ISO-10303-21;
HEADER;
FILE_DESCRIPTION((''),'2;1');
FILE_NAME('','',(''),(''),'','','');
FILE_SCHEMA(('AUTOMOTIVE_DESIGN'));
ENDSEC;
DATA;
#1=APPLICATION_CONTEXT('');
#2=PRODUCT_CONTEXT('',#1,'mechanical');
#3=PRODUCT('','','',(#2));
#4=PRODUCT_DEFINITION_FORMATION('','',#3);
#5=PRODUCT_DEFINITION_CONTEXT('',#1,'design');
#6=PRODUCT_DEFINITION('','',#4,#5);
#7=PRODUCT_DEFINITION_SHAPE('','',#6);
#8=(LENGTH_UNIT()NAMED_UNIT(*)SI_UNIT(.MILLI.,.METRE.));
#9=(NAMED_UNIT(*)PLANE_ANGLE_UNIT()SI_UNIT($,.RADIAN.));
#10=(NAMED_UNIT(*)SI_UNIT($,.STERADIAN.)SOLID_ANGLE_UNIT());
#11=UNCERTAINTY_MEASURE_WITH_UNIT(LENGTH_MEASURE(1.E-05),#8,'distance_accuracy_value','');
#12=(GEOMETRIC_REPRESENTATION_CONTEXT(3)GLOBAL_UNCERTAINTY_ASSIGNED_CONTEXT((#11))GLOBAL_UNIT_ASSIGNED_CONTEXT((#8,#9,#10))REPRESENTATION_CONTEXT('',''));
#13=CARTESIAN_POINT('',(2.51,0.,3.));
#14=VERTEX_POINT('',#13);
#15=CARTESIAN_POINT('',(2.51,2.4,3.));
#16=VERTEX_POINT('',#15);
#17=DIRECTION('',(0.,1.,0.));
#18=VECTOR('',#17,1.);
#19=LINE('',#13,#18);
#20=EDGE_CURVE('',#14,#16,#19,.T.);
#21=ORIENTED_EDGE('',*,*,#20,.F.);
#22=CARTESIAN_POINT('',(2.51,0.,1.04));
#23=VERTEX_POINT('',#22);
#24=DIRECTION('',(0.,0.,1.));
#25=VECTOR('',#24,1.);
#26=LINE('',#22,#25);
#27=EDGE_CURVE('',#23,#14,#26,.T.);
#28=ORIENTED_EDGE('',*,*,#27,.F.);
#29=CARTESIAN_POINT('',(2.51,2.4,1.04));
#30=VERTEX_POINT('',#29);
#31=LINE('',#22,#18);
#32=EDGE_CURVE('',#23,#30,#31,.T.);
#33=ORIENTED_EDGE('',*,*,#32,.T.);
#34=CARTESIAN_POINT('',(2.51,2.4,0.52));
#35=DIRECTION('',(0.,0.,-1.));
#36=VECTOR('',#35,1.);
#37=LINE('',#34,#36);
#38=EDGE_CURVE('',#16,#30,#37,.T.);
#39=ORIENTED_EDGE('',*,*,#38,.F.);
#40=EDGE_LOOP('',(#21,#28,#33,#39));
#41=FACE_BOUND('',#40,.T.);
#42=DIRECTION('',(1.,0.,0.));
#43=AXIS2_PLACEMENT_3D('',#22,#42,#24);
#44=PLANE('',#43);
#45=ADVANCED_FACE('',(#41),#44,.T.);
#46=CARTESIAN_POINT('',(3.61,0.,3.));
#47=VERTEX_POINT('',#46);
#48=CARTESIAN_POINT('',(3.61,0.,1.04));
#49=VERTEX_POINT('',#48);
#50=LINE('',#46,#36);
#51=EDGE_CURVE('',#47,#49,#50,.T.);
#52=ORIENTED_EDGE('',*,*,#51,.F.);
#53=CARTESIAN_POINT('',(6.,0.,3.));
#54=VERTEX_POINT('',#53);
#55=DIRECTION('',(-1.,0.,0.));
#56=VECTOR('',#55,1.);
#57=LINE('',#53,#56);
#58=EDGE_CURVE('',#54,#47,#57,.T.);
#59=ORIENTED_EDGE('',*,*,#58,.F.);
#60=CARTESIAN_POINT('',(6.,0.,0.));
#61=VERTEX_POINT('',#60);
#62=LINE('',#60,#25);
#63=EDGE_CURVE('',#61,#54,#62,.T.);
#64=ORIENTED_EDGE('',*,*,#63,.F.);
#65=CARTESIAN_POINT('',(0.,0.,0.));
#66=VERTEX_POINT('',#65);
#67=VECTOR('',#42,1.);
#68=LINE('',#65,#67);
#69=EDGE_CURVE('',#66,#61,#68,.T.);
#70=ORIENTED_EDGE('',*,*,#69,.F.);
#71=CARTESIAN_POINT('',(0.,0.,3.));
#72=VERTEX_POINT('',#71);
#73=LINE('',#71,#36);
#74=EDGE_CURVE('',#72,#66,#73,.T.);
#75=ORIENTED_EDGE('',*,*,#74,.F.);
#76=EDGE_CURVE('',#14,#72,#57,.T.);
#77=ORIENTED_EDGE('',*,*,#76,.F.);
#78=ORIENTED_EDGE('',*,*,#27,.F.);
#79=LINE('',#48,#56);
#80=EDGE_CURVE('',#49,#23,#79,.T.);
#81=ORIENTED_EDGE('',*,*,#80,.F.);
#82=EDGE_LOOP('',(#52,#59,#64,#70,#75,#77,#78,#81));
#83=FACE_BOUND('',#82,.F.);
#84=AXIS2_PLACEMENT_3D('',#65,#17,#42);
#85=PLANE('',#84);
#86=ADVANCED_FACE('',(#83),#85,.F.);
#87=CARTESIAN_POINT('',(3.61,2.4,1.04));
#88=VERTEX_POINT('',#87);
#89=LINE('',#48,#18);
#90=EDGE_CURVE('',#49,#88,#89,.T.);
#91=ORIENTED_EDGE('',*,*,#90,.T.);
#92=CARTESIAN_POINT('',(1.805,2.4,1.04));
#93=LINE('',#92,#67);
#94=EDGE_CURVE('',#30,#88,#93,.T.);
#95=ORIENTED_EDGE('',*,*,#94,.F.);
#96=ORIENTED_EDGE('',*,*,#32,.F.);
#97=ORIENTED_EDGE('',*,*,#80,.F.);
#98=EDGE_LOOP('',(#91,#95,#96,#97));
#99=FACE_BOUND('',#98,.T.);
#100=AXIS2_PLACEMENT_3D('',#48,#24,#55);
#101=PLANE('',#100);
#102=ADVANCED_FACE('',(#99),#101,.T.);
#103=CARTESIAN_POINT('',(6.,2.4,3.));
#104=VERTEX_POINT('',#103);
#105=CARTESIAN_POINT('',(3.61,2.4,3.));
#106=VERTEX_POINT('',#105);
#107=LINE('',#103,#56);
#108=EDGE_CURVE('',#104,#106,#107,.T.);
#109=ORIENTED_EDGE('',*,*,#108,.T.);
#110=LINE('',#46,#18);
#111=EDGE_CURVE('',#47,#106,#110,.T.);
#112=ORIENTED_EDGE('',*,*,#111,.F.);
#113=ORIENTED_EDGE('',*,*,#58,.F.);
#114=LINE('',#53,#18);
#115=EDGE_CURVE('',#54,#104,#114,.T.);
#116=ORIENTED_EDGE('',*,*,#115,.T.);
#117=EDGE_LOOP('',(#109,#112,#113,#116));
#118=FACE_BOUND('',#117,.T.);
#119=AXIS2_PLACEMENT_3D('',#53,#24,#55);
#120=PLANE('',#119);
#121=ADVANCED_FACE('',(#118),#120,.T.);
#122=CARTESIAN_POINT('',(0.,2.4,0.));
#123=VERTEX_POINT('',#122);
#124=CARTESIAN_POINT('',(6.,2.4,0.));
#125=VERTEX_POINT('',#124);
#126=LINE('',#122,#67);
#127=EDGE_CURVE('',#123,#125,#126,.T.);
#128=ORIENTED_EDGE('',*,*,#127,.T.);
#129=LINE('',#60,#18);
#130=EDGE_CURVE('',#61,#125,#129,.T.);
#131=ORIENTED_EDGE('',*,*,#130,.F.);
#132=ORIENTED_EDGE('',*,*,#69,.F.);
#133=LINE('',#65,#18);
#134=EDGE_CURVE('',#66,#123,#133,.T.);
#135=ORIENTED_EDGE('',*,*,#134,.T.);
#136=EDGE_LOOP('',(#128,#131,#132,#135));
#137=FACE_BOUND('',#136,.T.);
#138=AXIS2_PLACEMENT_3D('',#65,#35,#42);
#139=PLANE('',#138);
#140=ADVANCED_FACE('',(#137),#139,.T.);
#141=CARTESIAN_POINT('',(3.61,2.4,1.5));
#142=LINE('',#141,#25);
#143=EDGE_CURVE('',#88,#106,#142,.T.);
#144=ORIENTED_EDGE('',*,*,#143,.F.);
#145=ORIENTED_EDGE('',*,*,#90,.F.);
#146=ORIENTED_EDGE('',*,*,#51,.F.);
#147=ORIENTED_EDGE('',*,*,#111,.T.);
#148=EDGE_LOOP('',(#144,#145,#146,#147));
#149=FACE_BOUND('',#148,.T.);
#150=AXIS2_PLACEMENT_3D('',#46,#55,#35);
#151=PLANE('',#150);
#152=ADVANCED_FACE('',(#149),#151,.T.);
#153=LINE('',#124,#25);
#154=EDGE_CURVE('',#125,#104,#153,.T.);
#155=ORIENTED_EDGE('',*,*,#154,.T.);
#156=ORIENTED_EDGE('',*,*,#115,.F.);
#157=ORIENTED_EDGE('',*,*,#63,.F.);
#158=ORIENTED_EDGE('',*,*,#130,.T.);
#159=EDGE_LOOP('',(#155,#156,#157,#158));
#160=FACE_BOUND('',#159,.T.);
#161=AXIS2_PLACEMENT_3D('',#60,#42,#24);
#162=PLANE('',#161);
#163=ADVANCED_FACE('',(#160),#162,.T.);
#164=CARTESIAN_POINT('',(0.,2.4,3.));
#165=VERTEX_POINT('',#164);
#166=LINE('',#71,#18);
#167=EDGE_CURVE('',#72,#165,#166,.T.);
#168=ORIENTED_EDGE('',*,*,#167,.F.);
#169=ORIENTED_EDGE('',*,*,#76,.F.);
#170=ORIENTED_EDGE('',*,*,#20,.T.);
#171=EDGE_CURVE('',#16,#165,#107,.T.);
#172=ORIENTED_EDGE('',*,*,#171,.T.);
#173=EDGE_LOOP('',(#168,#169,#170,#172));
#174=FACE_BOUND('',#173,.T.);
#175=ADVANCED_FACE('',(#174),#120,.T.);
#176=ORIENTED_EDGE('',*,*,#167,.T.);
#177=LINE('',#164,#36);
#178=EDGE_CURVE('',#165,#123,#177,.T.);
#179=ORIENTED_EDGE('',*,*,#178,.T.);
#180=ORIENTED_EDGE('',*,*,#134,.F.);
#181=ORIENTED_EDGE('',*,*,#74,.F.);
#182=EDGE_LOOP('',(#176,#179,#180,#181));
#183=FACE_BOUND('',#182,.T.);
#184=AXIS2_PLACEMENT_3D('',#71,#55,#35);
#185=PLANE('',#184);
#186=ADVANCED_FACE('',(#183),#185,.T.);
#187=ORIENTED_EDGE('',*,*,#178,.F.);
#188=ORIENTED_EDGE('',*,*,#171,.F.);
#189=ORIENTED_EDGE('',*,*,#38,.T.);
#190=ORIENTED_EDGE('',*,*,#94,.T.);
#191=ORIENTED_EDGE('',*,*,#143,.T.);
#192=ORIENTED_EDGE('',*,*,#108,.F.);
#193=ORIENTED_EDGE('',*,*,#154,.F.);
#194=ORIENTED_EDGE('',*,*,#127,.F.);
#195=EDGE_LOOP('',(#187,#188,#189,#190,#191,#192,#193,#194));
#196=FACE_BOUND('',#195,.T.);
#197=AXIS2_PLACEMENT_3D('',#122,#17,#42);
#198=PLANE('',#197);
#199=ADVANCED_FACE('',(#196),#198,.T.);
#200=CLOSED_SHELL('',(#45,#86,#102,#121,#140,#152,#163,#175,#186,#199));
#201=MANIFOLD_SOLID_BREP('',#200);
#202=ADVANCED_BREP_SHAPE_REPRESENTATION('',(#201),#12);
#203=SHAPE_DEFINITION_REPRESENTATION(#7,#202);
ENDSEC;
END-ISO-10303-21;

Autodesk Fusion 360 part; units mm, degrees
sketch "Sketch1" plane through (0, 0, 0) normal (0, 1, 0) x (1, 0, 0)
  line L0 (0, 0) -> (6, 0)
  line L1 (6, 0) -> (6, -3)
  line L2 (6, -3) -> (0, -3)
  line L3 (0, -3) -> (0, 0)
  dimension "d1" = 6
  dimension "d2" = 3
extrude "Extrude1" add sketch "Sketch1" along normal blind 2.4
sketch "Sketch2" plane through (0, 0, 0) normal (0, -1, 0) x (1, 0, 0)
  line L0 (6, 3) -> (0, 3)
  line L1 (0, 3) -> (0, 0)
  line L2 (0, 0) -> (6, 0)
  line L3 (6, 0) -> (6, 3)
  line L4 (6, 3) -> (6, 1.04)
  line L5 (6, 3) -> (3.61, 3)
  line L6 (0, 3) -> (2.51, 3)
  line L7 (0, 3) -> (0, 1.04)
  line L8 (2.51, 3) -> (3.61, 3)
  line L9 (3.61, 3) -> (3.61, 1.04)
  line L10 (3.61, 1.04) -> (2.51, 1.04)
  line L11 (2.51, 1.04) -> (2.51, 3)
  dimension "d5" = 1.96
  dimension "d6" = 2.39
  dimension "d7" = 2.51
  dimension "d8" = 1.96
  dimension "d9" = 1.96
extrude "Extrude2" cut sketch "Sketch2" against normal blind 4.6 contours L0 L8 L9 L10 L11
